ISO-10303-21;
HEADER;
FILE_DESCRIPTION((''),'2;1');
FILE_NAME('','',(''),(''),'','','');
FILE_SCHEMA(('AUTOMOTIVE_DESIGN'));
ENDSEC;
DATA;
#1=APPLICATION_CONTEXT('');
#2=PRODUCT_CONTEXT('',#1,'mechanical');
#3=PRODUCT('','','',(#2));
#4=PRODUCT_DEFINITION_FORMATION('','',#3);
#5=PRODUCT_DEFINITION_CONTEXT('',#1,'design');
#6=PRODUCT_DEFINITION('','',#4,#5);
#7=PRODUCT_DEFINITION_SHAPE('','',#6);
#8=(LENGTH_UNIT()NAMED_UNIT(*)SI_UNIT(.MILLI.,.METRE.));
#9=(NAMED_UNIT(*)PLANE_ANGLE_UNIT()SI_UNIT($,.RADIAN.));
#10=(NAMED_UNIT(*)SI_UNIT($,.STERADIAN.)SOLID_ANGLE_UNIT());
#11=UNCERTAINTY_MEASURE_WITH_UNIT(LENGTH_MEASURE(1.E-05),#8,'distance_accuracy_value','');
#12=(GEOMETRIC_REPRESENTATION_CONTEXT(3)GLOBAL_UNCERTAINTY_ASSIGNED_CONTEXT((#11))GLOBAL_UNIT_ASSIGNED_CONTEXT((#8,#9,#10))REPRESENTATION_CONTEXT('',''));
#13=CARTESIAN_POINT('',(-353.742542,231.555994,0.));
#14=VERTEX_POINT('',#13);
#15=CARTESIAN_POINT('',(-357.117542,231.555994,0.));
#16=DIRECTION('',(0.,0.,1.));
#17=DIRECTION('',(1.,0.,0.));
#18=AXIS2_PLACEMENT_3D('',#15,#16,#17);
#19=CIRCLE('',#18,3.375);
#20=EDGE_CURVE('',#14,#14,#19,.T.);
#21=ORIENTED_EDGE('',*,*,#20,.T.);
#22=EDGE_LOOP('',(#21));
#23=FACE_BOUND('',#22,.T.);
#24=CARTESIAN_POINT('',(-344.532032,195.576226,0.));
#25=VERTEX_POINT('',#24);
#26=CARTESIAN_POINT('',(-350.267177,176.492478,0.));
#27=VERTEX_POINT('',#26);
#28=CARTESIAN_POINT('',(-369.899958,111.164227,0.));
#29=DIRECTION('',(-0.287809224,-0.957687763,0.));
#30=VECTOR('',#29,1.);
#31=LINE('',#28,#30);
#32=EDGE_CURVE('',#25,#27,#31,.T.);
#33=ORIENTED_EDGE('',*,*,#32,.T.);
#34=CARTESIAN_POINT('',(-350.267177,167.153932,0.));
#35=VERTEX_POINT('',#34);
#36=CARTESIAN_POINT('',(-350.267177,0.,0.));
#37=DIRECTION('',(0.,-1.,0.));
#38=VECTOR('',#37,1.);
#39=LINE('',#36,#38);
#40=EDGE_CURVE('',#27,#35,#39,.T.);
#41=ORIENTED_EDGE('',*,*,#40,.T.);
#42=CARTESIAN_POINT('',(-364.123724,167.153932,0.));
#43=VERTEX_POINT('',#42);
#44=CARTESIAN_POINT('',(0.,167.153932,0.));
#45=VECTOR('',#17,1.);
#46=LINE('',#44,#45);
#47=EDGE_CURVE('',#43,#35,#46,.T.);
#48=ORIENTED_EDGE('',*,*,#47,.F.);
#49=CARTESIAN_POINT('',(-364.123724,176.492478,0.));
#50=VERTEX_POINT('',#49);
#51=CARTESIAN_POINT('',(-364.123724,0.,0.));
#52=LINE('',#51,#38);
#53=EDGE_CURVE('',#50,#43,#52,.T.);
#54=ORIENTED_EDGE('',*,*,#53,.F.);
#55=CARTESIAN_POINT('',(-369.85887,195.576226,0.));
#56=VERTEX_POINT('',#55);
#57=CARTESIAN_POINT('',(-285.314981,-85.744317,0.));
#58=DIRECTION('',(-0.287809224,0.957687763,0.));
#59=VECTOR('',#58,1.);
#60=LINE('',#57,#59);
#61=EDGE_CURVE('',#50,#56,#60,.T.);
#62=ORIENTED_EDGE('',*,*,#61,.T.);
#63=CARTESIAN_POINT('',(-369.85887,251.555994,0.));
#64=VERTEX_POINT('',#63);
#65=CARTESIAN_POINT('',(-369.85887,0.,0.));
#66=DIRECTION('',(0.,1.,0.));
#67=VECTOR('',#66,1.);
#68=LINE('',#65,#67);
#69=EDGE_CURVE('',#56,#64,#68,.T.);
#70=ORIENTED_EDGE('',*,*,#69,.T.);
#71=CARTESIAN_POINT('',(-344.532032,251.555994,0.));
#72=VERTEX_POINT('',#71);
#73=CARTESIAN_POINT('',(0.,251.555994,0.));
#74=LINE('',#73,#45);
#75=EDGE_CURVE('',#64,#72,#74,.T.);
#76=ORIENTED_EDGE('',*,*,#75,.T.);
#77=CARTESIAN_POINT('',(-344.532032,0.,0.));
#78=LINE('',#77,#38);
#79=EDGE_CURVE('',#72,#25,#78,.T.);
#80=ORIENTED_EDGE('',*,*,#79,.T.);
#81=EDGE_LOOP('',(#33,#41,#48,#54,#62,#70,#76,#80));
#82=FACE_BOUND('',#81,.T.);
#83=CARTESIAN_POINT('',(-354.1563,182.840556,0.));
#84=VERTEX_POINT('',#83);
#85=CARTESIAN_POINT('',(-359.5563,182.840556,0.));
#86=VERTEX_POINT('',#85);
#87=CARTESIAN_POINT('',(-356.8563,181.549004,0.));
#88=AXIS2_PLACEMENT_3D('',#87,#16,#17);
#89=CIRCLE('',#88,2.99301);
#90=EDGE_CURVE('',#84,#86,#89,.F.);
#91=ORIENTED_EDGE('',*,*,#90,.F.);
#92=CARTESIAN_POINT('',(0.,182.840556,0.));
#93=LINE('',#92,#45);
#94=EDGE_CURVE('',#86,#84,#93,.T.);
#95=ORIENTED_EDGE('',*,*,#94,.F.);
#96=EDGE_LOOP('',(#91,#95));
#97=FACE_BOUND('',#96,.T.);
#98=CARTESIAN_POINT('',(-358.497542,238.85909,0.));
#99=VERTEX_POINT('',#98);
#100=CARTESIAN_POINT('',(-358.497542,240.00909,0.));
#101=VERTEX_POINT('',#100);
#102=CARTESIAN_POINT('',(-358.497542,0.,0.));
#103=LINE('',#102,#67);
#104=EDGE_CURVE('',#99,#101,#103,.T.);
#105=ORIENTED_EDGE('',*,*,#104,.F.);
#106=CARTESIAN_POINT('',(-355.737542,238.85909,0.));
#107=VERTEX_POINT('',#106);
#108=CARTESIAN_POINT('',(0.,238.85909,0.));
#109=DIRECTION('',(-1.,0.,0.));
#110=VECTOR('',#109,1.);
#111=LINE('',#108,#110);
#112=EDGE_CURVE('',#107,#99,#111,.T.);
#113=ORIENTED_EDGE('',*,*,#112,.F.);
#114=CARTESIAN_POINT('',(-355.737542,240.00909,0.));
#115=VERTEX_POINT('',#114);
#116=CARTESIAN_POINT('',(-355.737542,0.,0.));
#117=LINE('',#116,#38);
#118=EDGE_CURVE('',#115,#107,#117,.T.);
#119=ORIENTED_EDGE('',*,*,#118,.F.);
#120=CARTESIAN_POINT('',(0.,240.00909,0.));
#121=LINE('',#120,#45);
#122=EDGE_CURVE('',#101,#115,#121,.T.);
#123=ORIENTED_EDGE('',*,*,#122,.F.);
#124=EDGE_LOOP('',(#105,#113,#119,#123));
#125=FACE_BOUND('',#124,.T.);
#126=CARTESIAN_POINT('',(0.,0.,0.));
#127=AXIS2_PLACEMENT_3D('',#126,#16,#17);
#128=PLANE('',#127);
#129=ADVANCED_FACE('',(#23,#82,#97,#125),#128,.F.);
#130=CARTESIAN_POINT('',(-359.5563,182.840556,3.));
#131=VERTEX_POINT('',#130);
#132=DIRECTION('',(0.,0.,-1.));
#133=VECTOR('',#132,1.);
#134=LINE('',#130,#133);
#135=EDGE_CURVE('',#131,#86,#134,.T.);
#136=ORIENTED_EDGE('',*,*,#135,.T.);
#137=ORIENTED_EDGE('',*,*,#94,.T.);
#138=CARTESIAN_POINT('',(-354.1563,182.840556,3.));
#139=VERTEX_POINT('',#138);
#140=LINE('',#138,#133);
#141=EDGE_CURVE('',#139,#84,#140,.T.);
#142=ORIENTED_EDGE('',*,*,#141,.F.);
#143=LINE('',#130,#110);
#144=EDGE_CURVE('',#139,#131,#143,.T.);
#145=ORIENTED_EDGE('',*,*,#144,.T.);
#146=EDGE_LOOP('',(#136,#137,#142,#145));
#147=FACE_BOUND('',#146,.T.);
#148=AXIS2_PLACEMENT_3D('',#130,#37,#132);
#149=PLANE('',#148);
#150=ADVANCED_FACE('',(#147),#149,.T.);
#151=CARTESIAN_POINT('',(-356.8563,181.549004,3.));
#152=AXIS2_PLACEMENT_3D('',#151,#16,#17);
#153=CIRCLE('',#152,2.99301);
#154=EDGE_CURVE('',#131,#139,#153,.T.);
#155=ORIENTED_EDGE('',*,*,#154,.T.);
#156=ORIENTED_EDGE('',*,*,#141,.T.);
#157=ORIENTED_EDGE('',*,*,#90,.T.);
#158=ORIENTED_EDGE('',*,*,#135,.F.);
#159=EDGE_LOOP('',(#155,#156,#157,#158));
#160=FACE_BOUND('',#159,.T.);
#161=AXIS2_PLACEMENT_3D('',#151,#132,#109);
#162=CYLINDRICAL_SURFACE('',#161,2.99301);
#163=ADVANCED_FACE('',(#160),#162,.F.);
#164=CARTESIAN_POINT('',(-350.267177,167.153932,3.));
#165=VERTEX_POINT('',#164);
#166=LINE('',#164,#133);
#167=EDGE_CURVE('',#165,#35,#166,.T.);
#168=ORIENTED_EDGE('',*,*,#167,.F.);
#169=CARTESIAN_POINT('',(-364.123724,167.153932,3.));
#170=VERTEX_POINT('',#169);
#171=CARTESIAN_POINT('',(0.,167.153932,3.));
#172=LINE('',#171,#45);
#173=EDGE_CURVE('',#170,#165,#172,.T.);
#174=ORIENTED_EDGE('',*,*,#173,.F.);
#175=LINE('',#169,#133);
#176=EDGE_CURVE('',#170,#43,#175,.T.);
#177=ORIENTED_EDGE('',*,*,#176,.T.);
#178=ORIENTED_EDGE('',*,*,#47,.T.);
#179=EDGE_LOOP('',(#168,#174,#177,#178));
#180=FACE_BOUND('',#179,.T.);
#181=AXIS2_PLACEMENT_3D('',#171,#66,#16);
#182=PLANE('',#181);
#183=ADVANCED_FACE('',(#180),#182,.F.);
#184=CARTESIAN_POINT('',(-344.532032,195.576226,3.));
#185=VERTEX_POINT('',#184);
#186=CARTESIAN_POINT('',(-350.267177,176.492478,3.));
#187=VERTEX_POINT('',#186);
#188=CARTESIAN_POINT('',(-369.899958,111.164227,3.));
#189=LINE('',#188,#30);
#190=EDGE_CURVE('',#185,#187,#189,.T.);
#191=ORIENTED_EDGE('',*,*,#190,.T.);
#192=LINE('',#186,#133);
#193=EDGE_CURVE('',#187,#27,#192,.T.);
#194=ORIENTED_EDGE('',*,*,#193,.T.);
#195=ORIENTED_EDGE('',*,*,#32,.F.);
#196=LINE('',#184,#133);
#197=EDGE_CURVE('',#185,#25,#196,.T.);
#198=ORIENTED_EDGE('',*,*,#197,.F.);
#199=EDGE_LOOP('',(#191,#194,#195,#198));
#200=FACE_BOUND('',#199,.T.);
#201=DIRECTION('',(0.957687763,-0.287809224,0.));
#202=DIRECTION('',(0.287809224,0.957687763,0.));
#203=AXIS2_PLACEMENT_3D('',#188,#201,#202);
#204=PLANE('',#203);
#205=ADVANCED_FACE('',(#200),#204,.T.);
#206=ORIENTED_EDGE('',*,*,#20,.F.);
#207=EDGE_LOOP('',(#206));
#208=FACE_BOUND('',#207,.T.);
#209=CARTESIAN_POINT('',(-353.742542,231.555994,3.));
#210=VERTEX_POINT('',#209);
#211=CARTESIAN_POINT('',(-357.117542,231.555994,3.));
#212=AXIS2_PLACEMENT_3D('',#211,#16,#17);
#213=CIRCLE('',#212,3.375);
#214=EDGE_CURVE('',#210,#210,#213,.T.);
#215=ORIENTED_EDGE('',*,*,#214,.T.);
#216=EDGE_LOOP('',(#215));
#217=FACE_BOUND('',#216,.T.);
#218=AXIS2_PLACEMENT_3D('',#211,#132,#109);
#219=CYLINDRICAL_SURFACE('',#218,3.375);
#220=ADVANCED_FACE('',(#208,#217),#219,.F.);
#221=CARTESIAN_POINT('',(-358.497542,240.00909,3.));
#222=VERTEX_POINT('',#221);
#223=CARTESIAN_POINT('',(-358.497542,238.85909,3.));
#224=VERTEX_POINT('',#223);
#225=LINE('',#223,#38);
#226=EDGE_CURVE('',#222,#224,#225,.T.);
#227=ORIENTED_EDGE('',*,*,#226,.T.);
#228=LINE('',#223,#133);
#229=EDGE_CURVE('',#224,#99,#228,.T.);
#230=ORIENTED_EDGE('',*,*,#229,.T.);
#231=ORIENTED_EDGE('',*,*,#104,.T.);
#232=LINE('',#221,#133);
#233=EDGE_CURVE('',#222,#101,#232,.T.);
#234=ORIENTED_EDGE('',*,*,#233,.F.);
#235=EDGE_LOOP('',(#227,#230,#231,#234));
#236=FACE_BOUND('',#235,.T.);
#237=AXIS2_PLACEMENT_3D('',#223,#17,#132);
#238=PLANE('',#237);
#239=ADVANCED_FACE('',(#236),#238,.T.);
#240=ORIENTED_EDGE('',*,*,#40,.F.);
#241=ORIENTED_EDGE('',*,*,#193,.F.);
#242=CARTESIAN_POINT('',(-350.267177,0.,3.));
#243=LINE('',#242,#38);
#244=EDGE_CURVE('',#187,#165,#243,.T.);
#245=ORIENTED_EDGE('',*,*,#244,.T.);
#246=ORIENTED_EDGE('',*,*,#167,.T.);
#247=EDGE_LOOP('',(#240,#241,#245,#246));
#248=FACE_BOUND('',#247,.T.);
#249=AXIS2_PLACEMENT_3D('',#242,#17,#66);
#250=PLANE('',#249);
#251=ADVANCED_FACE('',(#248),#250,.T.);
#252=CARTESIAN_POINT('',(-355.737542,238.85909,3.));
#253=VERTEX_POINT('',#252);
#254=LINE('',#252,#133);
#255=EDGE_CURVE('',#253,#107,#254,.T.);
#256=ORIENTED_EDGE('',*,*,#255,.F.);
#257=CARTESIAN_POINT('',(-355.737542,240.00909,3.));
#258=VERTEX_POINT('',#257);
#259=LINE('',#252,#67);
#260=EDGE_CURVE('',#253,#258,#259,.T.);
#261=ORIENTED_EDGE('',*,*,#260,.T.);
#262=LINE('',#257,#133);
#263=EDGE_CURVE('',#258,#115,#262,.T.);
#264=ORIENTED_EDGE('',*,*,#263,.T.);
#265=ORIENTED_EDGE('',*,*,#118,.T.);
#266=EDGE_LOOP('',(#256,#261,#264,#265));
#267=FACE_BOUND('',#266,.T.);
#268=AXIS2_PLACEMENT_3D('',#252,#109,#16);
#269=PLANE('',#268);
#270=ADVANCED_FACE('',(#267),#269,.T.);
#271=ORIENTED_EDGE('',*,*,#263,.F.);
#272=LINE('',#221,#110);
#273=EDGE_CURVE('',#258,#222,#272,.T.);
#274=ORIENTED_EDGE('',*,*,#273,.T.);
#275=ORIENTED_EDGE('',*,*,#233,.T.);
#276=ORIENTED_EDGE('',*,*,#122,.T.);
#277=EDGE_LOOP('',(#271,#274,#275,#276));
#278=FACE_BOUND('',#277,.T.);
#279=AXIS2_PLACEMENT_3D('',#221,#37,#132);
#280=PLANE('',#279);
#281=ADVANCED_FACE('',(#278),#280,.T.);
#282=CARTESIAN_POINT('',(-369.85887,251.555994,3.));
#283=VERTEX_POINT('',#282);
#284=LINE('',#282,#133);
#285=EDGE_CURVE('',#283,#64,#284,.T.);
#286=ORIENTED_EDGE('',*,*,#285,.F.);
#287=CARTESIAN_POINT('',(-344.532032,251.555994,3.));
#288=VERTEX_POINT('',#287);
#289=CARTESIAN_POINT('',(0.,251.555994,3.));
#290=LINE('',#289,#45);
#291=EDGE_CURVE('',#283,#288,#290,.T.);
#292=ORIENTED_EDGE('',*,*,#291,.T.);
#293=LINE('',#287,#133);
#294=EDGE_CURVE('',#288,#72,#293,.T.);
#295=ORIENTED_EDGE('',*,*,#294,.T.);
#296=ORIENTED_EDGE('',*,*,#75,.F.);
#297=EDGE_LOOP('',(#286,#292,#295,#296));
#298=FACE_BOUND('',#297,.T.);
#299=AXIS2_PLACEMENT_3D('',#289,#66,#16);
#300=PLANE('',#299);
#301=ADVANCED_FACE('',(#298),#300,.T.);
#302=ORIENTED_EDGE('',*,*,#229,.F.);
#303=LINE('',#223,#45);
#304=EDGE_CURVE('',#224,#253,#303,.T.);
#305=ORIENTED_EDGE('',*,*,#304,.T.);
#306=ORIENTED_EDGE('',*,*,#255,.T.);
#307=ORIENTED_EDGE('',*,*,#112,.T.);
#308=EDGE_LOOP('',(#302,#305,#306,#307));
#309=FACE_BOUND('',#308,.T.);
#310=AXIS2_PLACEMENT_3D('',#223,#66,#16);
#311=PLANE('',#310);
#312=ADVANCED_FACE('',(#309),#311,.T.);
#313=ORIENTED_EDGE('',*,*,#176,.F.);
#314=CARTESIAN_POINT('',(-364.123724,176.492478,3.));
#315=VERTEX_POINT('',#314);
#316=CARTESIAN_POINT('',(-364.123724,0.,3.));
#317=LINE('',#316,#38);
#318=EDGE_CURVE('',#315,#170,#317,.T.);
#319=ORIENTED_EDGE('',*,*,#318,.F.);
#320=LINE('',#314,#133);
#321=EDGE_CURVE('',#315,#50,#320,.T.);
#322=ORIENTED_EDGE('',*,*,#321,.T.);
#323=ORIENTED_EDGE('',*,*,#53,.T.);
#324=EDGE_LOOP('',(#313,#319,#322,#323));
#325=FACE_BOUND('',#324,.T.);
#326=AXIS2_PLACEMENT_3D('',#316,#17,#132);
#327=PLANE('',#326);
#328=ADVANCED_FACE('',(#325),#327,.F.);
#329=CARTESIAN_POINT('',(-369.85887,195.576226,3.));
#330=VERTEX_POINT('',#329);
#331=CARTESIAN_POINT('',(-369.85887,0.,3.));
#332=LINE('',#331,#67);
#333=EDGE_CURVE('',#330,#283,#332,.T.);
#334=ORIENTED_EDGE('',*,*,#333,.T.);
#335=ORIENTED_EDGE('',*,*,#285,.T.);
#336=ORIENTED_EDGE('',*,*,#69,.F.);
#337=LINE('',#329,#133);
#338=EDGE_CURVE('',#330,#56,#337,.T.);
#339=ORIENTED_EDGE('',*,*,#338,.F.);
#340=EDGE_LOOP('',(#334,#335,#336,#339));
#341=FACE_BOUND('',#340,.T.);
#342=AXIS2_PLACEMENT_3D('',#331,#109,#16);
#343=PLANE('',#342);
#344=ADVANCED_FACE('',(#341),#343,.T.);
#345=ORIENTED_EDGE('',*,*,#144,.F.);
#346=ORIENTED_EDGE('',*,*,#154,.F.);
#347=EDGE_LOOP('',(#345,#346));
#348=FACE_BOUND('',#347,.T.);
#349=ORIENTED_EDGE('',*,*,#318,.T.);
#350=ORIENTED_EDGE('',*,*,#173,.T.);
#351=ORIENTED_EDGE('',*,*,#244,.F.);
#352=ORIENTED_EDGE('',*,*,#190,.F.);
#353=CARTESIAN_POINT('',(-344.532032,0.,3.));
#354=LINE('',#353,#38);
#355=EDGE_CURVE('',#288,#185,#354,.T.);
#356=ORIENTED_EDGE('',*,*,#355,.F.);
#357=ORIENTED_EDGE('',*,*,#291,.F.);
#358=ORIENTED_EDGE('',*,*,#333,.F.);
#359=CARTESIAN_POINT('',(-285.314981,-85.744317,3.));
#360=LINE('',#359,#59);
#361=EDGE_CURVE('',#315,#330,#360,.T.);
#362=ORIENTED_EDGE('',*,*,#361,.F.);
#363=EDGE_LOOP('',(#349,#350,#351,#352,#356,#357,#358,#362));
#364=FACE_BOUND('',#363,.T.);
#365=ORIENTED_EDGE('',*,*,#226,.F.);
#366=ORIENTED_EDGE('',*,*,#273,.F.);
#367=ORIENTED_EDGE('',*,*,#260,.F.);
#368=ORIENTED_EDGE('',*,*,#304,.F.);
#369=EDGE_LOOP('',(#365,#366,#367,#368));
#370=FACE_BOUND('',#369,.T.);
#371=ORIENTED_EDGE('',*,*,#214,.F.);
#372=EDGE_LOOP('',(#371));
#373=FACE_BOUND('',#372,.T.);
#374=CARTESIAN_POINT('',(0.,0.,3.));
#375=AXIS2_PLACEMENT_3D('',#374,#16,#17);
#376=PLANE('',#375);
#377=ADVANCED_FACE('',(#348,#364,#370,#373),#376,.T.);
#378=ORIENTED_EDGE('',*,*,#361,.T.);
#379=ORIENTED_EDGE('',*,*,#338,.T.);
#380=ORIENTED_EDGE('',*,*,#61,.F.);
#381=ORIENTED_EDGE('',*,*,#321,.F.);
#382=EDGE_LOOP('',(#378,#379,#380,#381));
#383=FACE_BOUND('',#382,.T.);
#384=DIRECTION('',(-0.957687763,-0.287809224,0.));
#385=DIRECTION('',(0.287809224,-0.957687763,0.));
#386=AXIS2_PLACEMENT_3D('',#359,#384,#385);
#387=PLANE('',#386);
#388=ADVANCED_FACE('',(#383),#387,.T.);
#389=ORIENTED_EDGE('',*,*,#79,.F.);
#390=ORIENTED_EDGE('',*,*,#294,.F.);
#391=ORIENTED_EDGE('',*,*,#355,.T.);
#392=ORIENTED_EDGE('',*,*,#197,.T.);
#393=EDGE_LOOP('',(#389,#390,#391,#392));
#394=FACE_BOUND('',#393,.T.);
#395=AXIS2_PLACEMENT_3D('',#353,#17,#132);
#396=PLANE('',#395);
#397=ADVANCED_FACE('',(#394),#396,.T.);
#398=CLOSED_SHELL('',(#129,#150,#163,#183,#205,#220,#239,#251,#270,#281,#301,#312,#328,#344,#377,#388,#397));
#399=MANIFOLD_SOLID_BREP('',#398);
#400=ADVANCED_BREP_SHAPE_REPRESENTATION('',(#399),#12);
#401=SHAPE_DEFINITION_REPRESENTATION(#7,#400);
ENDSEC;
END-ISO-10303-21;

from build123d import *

# Parameters (mm, degrees)
SKETCH1_R           = 3.375
BOSS_EXTRUDE3_DEPTH = 3
SKETCH5_W           = 2.76
SKETCH5_H           = 1.15
CUT_EXTRUDE3_DEPTH  = 448.473185448


with BuildPart() as part:
    # Sketch1 → Boss-Extrude3 (new body)
    with BuildSketch(Plane.XY):
        Polygon((-364.123724325, 176.492478394), (-369.858869661, 195.576225703), (-369.858869661, 251.55599422), (-344.532032114, 251.55599422), (-344.532032114, 195.576225703), (-350.26717745, 176.492478394), (-350.26717745, 167.153932289), (-364.123724325, 167.153932289), align=None)
        with Locations((-357.117541936, 231.55599422)):
            Circle(SKETCH1_R, mode=Mode.SUBTRACT)
    extrude(amount=BOSS_EXTRUDE3_DEPTH)

    # Sketch5 → Cut-Extrude3 (cut, through all)
    with BuildSketch(Plane.XY.offset(-9.5)):
        with BuildLine():
            Line((-359.5563, 182.840556402), (-354.1563, 182.840556402))
            ThreePointArc((-354.1563, 182.840556402), (-356.8563, 178.555993811), (-359.5563, 182.840556402))
        make_face()
        with Locations((-357.117541936, 239.434089807)):
            Rectangle(SKETCH5_W, SKETCH5_H)
    extrude(amount=CUT_EXTRUDE3_DEPTH, mode=Mode.SUBTRACT)


solid = part.part
